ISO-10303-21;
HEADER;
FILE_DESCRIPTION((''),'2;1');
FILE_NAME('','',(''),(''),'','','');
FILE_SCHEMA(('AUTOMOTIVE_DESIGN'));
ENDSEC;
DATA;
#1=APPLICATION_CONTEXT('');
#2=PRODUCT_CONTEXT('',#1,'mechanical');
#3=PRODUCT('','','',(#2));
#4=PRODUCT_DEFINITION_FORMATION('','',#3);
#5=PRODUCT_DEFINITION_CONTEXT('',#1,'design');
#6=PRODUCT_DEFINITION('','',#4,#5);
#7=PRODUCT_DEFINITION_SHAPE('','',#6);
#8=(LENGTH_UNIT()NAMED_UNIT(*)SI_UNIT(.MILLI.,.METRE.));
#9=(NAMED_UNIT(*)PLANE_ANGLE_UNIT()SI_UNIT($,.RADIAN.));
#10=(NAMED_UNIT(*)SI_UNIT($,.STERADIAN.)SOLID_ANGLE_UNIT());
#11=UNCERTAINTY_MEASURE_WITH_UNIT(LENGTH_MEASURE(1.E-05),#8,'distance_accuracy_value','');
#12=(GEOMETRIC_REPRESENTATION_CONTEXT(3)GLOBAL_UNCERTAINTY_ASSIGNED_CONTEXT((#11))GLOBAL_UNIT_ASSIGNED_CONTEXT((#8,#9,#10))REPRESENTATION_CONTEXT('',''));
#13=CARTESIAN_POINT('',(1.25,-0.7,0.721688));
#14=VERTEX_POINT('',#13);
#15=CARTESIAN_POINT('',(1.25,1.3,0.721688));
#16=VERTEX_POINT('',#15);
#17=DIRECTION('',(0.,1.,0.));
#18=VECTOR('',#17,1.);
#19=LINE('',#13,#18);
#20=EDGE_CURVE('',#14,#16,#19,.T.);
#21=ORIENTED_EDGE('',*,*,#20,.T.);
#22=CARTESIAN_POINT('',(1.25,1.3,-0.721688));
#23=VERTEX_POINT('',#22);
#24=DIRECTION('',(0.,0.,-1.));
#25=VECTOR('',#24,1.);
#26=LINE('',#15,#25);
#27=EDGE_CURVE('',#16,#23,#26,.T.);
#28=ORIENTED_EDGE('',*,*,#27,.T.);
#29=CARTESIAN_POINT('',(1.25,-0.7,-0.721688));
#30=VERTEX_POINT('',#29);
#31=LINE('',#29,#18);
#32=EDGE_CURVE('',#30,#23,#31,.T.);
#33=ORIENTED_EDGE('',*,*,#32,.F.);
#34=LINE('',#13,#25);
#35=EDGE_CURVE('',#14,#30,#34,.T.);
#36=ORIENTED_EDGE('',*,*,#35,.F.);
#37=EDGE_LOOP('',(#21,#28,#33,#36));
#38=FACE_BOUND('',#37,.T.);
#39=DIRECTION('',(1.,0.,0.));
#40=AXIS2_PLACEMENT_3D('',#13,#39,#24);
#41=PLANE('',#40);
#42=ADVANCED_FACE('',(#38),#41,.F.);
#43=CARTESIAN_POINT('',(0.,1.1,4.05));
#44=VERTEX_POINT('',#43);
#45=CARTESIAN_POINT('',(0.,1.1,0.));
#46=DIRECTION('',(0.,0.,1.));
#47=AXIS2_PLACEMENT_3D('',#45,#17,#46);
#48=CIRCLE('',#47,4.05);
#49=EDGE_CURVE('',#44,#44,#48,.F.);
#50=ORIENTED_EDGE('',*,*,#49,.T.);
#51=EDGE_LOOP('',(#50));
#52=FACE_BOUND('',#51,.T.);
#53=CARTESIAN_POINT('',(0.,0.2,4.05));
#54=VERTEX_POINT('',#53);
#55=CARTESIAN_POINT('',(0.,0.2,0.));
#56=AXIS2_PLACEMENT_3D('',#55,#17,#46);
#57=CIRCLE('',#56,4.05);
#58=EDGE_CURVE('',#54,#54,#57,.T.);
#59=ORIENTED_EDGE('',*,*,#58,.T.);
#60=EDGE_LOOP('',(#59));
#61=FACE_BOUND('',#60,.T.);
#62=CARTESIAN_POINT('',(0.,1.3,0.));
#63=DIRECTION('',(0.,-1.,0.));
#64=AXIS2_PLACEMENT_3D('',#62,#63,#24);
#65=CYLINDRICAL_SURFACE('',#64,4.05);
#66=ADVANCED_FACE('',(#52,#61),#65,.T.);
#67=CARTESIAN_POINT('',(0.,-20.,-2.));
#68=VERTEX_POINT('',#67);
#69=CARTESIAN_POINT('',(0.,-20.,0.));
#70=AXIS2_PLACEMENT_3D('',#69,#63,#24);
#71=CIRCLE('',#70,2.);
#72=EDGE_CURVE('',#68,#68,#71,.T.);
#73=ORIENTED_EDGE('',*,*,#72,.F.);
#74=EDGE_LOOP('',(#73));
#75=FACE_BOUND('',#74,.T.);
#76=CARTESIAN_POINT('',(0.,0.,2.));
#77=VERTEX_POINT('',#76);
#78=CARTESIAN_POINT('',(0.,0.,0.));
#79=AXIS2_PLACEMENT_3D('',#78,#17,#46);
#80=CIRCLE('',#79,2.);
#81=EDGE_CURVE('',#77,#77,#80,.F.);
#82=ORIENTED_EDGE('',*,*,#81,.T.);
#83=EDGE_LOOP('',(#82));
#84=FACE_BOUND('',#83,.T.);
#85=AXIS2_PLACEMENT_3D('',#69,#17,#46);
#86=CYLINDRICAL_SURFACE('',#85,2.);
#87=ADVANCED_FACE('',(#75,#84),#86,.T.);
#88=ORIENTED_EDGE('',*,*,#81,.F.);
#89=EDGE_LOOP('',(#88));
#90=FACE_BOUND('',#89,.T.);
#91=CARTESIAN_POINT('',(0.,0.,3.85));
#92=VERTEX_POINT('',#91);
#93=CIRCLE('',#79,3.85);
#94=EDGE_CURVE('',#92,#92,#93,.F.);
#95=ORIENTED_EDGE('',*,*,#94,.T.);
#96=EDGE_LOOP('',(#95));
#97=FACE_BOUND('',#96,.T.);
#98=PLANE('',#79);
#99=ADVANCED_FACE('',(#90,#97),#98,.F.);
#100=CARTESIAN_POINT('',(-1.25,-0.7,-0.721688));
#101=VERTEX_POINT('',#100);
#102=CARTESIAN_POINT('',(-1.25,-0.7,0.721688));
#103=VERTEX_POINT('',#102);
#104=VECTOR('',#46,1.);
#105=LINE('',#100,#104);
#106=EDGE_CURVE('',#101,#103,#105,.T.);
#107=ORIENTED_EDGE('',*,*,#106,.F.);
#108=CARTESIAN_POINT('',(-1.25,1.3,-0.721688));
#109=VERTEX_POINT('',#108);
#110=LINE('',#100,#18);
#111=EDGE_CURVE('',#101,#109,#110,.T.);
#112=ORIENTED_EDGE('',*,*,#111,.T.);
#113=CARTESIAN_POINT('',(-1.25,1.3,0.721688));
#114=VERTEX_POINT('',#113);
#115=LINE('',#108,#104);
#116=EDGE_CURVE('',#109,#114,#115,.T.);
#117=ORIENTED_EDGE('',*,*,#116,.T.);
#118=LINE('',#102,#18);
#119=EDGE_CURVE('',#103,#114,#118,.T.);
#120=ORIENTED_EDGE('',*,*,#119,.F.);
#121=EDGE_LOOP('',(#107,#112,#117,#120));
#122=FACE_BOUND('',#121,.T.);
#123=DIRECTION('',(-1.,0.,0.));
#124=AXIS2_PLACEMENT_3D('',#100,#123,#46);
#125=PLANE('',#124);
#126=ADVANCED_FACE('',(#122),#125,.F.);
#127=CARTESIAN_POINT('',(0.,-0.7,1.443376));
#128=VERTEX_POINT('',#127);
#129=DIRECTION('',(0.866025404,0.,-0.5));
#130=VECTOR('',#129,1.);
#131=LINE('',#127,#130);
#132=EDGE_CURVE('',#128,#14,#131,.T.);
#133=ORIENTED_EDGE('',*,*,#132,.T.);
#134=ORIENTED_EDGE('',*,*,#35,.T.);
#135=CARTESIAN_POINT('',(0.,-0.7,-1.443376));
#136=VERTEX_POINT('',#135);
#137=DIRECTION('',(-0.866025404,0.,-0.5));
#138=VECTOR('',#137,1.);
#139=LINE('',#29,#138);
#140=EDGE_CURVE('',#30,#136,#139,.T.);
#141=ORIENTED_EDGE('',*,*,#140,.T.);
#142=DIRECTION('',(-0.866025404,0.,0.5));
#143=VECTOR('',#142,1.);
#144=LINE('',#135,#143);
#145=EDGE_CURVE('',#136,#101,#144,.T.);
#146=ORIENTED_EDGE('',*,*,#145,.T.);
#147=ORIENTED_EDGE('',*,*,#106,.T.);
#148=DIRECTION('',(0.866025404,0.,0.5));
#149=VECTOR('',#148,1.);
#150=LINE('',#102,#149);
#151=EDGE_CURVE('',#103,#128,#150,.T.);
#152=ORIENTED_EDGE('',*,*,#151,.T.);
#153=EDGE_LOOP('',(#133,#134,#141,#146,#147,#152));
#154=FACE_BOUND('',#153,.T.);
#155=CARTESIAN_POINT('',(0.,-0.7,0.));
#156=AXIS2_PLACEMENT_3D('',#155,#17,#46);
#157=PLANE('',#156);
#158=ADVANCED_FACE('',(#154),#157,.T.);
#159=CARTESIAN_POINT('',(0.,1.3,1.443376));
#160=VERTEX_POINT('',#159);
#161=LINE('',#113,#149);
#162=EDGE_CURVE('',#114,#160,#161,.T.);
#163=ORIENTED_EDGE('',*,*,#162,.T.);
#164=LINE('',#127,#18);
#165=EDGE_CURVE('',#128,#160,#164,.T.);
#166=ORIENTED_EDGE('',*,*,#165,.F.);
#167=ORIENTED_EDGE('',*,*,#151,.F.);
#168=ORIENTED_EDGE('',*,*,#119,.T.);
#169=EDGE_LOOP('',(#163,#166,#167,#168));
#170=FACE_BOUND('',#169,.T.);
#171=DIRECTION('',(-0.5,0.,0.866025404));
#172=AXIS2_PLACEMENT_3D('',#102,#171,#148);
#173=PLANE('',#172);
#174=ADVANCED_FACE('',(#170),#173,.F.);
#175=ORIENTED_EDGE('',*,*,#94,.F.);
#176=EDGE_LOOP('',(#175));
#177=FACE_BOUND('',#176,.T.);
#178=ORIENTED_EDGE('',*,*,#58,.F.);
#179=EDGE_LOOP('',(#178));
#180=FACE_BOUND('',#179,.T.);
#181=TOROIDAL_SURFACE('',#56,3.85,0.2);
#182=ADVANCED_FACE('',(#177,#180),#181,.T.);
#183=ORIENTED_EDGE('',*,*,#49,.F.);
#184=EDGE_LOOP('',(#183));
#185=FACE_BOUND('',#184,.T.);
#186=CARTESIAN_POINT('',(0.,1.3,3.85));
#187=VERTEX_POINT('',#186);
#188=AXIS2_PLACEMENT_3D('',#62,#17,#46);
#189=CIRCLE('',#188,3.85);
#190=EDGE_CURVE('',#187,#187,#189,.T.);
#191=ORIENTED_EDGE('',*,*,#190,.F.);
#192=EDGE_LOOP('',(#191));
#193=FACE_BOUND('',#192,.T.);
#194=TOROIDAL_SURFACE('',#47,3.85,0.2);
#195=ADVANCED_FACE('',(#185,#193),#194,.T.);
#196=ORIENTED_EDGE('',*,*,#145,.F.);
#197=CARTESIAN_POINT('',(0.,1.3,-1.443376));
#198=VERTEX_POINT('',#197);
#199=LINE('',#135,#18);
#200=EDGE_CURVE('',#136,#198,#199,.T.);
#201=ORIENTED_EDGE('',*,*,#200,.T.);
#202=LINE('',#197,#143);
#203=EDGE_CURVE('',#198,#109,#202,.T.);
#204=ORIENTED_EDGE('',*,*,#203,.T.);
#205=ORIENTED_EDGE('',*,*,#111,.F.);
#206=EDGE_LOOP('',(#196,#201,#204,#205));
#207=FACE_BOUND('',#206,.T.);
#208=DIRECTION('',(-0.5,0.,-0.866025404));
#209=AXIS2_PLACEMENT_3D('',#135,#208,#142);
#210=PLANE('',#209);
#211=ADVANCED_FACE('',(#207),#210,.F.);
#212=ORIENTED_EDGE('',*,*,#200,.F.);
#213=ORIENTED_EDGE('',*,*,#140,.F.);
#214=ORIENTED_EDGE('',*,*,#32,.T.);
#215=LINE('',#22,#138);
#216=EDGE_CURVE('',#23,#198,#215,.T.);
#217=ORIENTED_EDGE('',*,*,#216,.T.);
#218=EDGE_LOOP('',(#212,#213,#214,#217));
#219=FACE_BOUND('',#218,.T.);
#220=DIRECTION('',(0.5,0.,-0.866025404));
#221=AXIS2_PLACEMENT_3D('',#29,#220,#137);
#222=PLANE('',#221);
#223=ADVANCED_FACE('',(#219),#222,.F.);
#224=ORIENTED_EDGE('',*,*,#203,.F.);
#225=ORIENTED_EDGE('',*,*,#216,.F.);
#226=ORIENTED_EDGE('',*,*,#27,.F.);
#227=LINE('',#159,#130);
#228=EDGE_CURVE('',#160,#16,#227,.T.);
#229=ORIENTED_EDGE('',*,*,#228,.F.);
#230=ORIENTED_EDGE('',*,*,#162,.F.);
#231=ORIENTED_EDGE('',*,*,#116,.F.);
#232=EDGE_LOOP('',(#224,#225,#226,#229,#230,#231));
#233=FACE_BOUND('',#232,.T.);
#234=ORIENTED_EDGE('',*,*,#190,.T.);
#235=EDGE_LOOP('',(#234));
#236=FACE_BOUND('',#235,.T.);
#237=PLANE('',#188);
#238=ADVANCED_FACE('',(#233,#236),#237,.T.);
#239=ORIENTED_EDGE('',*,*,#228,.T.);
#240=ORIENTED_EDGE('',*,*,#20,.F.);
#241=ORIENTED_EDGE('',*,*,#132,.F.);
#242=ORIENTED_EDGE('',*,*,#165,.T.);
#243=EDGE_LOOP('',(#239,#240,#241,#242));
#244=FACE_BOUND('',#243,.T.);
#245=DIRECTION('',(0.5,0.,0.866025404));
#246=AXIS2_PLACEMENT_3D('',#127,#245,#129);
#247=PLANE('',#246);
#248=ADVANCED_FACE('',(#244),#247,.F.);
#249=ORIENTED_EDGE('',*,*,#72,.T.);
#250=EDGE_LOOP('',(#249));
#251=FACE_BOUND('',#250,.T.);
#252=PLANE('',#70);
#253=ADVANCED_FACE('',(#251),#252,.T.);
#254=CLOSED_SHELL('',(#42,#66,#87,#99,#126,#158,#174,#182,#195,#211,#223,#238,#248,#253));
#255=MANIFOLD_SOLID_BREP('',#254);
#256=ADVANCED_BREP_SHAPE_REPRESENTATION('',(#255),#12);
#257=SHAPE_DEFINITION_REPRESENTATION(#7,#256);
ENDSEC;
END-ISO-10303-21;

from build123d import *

# Parameters (mm, degrees)
SKETCH1_R           = 4.05
BOSS_EXTRUDE1_DEPTH = 1.3
FILLET1_R           = 0.2
SKETCH2_R           = 2
BOSS_EXTRUDE2_DEPTH = 20
CUT_EXTRUDE1_DEPTH  = 2


with BuildPart() as part:
    # Sketch1 → Boss-Extrude1 (new body)
    with BuildSketch(Plane(origin=(0, 0, 0), x_dir=(1, 0, 0), z_dir=(0, 1, 0))):
        Circle(SKETCH1_R)
    extrude(amount=BOSS_EXTRUDE1_DEPTH)

    # Fillet1
    fillet1_edges = [part.edges().sort_by_distance(p)[0] for p in [
        (-4.05, 0, 0),
        (-4.05, 1.3, 0),
    ]]
    fillet(fillet1_edges, radius=FILLET1_R)

    # Sketch2 → Boss-Extrude2 (add)
    with BuildSketch(Plane.XZ):
        Circle(SKETCH2_R)
    extrude(amount=BOSS_EXTRUDE2_DEPTH)

    # Sketch3 → Cut-Extrude1 (cut)
    with BuildSketch(Plane(origin=(0, 1.3, 0), x_dir=(1, 0, 0), z_dir=(0, 1, 0))):
        Polygon((-1.25, -0.721687836), (0, -1.443375673), (1.25, -0.721687836), (1.25, 0.721687836), (0, 1.443375673), (-1.25, 0.721687836), align=None)
    extrude(amount=-CUT_EXTRUDE1_DEPTH, mode=Mode.SUBTRACT)


solid = part.part
